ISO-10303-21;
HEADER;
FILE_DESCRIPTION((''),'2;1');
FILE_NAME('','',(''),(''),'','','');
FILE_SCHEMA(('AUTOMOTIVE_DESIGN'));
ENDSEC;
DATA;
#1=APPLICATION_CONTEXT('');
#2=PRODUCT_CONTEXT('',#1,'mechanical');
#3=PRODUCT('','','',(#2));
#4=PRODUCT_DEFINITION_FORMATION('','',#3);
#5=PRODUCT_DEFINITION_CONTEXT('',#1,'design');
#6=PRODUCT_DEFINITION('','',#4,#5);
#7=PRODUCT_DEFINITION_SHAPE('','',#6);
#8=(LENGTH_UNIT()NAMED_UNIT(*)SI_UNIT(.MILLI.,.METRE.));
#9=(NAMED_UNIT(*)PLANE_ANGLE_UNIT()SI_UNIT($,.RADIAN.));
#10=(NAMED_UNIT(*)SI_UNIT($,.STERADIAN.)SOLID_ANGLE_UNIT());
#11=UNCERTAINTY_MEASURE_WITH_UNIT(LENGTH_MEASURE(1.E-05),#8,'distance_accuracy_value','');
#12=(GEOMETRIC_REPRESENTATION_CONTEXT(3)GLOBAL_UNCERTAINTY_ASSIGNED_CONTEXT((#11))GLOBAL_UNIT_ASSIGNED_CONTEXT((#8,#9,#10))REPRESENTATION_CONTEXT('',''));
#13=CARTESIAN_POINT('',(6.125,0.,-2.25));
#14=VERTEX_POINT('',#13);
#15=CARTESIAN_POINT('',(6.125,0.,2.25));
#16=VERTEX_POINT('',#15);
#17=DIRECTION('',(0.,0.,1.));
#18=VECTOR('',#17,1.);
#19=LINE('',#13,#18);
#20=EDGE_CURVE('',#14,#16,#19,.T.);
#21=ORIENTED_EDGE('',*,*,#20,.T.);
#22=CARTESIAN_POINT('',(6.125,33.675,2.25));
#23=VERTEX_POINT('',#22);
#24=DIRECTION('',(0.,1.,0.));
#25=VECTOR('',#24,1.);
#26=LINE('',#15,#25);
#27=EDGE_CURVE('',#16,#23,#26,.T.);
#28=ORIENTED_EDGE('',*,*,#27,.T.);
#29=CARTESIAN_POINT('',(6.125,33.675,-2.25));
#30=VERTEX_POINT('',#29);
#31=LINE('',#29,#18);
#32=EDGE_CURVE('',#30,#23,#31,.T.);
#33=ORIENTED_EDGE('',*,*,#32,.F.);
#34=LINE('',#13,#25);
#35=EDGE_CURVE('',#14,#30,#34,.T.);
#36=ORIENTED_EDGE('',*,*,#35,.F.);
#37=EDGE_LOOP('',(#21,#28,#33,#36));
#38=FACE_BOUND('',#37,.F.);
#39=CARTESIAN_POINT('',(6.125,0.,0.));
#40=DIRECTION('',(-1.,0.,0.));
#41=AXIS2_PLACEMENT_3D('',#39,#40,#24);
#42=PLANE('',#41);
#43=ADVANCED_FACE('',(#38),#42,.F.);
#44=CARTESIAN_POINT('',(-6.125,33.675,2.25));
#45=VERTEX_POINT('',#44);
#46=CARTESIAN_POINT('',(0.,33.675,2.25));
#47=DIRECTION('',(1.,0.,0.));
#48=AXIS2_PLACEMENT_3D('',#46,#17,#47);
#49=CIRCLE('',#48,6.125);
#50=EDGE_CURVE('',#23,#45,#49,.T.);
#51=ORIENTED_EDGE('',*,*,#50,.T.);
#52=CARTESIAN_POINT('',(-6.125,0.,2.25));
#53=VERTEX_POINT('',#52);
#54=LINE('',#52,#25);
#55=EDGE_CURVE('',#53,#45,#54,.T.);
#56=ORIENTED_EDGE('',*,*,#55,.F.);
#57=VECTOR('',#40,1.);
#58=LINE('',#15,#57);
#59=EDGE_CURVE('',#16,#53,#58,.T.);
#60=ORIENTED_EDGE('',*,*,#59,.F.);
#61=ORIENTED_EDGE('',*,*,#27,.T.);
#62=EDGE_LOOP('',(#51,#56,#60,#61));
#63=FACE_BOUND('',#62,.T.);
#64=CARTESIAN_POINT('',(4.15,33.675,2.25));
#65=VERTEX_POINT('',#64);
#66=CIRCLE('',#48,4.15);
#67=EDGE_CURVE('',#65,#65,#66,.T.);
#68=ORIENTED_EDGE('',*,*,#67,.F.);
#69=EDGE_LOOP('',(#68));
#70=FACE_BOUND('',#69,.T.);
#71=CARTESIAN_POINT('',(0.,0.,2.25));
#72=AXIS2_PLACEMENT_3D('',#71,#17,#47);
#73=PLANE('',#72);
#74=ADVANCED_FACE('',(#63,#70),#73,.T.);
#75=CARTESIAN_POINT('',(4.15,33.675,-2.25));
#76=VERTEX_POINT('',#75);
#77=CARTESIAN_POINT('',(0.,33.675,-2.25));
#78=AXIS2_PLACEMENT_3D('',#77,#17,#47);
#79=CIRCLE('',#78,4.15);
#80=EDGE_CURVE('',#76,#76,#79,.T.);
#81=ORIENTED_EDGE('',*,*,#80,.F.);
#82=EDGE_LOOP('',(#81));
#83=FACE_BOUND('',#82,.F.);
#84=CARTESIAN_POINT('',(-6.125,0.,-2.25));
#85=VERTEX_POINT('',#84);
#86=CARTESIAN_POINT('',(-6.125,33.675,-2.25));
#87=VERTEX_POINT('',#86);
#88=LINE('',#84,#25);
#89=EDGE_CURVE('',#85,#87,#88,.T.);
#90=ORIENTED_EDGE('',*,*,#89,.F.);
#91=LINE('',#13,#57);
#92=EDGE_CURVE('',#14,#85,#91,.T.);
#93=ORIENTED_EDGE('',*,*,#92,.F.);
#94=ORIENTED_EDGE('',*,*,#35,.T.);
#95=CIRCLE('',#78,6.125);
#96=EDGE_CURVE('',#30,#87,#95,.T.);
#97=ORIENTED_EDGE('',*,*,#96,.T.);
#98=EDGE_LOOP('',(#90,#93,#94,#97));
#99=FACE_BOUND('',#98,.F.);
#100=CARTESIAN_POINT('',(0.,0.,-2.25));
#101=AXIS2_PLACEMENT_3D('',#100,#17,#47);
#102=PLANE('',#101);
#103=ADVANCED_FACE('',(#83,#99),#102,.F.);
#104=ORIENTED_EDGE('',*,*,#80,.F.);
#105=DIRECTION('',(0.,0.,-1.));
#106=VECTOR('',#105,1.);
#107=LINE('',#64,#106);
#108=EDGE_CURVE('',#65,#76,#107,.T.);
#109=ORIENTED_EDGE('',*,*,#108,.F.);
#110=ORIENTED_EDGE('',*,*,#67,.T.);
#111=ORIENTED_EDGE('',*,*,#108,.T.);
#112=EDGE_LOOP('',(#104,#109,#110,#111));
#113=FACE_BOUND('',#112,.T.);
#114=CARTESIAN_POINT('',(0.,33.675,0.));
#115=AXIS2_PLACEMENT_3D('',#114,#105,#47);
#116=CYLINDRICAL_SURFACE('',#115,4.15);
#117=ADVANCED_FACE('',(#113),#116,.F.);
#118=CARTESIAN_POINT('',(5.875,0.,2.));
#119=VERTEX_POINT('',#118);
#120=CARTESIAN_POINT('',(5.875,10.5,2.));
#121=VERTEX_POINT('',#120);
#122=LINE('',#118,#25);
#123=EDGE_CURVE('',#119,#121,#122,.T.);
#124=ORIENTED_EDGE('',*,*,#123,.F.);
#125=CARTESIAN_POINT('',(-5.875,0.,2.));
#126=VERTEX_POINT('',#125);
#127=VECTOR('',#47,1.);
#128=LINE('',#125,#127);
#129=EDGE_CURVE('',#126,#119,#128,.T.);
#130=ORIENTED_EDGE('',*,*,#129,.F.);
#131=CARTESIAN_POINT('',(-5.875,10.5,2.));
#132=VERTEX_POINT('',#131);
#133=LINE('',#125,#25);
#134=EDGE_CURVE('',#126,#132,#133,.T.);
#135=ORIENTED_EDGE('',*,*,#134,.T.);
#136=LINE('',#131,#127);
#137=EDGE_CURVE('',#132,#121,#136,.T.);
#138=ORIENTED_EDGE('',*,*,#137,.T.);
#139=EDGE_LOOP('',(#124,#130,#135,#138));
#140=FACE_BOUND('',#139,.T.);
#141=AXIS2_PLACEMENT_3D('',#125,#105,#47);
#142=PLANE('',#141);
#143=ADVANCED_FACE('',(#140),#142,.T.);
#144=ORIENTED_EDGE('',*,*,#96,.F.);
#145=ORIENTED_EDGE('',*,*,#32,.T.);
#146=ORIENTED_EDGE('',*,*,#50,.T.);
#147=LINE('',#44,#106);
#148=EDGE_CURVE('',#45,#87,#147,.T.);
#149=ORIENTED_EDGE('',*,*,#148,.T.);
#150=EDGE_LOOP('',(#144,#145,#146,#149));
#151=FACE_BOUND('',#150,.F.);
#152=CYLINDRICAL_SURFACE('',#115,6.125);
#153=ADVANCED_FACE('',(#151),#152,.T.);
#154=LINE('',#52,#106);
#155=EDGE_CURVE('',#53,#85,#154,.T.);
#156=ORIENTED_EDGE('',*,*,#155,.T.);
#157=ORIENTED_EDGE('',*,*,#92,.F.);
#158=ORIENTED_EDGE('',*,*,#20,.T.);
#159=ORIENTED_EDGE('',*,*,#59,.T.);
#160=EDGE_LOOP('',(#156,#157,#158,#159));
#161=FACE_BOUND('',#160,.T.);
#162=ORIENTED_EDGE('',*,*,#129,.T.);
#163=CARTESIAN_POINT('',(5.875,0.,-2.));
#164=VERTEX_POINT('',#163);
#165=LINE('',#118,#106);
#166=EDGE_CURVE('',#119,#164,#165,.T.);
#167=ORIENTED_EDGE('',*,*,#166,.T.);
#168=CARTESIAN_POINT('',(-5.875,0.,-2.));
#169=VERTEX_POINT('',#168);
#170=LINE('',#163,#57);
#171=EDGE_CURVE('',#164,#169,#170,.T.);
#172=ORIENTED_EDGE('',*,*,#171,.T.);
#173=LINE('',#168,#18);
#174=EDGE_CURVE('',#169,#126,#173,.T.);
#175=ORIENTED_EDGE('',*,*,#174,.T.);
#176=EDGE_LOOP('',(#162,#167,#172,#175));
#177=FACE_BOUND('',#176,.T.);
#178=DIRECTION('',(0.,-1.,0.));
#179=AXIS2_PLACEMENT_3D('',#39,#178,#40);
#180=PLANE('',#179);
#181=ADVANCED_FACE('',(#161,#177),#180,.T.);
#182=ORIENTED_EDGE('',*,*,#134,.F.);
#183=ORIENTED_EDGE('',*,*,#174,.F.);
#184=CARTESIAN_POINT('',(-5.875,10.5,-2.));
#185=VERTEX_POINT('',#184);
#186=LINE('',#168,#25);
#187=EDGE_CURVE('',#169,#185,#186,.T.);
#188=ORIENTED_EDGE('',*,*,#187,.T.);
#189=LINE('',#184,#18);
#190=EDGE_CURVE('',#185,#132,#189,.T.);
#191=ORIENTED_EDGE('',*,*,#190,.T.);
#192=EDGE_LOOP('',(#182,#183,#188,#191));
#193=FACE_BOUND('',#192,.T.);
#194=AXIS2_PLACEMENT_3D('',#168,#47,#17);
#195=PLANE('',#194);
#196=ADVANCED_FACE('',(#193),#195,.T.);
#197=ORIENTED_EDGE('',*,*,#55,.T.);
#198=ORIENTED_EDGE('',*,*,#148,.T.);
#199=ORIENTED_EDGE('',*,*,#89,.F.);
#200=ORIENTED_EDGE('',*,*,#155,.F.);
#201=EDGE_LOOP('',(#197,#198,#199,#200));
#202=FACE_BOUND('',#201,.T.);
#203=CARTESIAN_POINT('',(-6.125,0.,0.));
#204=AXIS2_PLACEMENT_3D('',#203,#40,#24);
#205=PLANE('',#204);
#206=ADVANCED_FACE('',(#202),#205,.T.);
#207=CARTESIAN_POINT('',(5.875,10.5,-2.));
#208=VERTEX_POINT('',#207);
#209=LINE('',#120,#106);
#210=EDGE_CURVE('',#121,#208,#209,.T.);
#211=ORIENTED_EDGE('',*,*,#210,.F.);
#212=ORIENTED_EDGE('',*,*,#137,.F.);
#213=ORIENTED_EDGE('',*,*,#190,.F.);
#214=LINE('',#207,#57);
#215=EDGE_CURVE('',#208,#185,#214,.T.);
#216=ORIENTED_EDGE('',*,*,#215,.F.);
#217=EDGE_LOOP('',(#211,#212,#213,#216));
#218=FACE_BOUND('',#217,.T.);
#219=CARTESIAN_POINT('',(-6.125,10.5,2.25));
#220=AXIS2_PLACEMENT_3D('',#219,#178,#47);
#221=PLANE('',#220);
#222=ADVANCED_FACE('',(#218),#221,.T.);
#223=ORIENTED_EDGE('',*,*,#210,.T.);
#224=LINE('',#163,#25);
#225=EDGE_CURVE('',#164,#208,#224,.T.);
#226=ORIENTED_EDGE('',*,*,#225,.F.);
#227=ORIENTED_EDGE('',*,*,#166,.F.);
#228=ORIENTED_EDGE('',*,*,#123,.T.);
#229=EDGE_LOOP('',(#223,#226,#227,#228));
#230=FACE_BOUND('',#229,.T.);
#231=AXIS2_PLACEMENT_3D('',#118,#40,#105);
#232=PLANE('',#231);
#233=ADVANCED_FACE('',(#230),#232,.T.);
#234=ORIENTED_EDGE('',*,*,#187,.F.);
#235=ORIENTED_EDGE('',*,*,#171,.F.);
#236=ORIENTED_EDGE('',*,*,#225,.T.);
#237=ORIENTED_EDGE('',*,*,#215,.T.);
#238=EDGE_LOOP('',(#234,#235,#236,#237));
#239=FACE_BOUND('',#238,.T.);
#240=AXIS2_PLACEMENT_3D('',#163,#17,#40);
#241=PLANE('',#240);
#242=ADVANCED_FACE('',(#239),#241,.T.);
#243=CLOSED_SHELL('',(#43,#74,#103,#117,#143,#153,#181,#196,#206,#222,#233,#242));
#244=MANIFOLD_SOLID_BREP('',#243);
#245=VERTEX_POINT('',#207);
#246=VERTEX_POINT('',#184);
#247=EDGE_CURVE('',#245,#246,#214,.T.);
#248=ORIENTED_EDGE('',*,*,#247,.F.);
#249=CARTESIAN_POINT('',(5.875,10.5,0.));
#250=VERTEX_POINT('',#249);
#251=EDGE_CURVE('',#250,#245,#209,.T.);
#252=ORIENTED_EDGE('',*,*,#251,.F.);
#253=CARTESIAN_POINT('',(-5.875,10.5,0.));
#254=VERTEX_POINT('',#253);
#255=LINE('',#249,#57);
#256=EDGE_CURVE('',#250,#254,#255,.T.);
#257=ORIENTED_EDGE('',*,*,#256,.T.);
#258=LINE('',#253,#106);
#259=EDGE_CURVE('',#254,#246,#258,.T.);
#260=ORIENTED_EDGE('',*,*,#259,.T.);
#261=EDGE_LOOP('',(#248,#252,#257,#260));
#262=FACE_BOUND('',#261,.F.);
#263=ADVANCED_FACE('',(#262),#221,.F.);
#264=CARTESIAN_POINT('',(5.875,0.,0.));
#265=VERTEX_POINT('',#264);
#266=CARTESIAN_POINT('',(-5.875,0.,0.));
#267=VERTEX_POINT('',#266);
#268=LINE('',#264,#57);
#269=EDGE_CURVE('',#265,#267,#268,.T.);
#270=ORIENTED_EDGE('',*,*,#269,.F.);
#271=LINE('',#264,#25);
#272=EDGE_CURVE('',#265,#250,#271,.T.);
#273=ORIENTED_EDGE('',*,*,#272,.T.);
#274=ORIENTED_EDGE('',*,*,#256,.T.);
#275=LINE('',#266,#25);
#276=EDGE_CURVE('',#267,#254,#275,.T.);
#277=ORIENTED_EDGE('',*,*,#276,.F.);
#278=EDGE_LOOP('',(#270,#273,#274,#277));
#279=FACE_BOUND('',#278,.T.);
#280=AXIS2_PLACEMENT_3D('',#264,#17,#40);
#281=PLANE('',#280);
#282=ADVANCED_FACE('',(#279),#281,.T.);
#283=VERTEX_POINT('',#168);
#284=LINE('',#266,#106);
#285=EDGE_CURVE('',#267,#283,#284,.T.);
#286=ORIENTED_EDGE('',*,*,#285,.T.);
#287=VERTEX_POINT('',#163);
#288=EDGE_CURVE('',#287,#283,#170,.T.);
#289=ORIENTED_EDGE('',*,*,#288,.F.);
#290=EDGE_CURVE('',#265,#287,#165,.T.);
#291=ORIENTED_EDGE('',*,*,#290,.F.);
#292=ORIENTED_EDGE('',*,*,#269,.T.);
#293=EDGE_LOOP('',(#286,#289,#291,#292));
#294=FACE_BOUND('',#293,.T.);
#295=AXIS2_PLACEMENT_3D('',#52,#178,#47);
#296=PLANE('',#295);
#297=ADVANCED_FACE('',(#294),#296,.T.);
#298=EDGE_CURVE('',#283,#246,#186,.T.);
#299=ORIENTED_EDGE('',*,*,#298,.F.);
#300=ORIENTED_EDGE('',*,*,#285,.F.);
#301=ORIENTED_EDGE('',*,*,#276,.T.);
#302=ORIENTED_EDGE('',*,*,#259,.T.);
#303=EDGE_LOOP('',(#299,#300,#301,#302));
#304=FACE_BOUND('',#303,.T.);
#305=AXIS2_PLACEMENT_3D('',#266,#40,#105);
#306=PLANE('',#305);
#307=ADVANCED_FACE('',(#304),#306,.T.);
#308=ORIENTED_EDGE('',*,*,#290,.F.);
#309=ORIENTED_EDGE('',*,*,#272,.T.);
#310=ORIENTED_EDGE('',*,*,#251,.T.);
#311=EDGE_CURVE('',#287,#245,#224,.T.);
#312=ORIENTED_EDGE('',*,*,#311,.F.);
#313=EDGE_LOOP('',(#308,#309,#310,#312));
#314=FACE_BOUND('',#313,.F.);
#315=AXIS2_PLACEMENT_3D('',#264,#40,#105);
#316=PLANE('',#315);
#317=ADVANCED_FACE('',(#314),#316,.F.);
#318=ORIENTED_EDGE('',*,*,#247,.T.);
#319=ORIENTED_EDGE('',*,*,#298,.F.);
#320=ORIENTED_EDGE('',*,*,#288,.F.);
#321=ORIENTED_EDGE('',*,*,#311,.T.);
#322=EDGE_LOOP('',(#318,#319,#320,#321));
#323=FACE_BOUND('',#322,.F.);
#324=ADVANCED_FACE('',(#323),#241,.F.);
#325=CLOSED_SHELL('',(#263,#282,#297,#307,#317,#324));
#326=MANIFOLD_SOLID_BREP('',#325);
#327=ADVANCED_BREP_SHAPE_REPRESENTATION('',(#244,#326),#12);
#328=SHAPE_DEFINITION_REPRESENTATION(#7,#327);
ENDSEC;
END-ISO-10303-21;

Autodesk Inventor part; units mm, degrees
ref_plane "YZ Plane" through (0, 0, 0) normal (1, 0, 0) x (0, 1, 0)
ref_plane "XZ Plane" through (0, 0, 0) normal (0, 1, 0) x (-1, 0, 0)
ref_plane "XY Plane" through (0, 0, 0) normal (0, 0, 1) x (1, 0, 0)
sketch "Boceto1" plane through (0, 0, 0) normal (0, 0, 1) x (1, 0, 0)
  line L0 (6.125, 0) -> (-6.125, 0)
  line L1 (-6.125, 0) -> (-6.125, 33.675)
  circle A0 centre (0, 33.675) radius 4.15
  arc A1 (6.125, 33.675) -> (-6.125, 33.675) centre (0, 33.675) ccw
  line L2 (6.125, 0) -> (6.125, 33.675)
  point P0 (0, 0)
  point P1 (0, 0)
  dimension "d44" = 39.8
  dimension "d45" = 12.25
  dimension "d46" = 8.3
extrude "Extrusión4" add sketch "Boceto1" along normal mid plane 4.5
sketch "Boceto7" plane through (-6.125, 0, 2.25) normal (0, -1, 0) x (1, 0, 0)
  line L0 (12, -4.25) -> (0.25, -4.25)
  line L1 (0.25, -4.25) -> (0.25, -0.25)
  line L2 (0.25, -0.25) -> (12, -0.25)
  line L3 (12, -0.25) -> (12, -4.25)
  line L4 (12, -4.25) -> (0.25, -0.25) construction
  line L5 (0.25, -4.25) -> (12, -0.25) construction
  line L6 (0, 0) -> (12.25, 0) projected
  line L7 (0, -4.5) -> (0, 0) projected
  point P0 (6.125, -2.25)
  dimension "d49" = 0.25
  dimension "d50" = 0.25
extrude "Extrusión5" cut sketch "Boceto7" against normal blind 10.5
sketch "Boceto8" plane through (-6.125, 0, 2.25) normal (0, -1, 0) x (1, 0, 0)
  line L0 (0.25, -4.25) -> (0.25, -0.25) construction
  line L1 (0.25, -0.25) -> (12, -0.25) construction
  line L2 (12, -0.25) -> (12, -4.25) construction
  line L3 (12, -4.25) -> (0.25, -4.25) construction
  line L4 (12.25, -4.5) -> (12.25, 0) construction
  line L5 (0, 0) -> (12.25, 0) construction
  line L6 (0, -4.5) -> (0, 0) construction
  line L7 (12.25, -4.5) -> (0, -4.5) construction
  line L8 (12, -4.25) -> (0.25, -4.25) projected
  line L9 (12, -0.25) -> (12, -4.25) projected
  line L10 (0.25, -4.25) -> (12, -4.25)
  line L11 (12, -4.25) -> (12, -2.25)
  line L12 (12, -2.25) -> (0.25, -2.25)
  line L13 (0.25, -2.25) -> (0.25, -4.25)
  point P0 (6.125, -2.25)
extrude "Extrusión6" add sketch "Boceto8" against normal up to surface (10.5 mm away) separate body
equation "\"d50\" = d49"
properties part number "Metal USB stick with hole" material "Acero"
